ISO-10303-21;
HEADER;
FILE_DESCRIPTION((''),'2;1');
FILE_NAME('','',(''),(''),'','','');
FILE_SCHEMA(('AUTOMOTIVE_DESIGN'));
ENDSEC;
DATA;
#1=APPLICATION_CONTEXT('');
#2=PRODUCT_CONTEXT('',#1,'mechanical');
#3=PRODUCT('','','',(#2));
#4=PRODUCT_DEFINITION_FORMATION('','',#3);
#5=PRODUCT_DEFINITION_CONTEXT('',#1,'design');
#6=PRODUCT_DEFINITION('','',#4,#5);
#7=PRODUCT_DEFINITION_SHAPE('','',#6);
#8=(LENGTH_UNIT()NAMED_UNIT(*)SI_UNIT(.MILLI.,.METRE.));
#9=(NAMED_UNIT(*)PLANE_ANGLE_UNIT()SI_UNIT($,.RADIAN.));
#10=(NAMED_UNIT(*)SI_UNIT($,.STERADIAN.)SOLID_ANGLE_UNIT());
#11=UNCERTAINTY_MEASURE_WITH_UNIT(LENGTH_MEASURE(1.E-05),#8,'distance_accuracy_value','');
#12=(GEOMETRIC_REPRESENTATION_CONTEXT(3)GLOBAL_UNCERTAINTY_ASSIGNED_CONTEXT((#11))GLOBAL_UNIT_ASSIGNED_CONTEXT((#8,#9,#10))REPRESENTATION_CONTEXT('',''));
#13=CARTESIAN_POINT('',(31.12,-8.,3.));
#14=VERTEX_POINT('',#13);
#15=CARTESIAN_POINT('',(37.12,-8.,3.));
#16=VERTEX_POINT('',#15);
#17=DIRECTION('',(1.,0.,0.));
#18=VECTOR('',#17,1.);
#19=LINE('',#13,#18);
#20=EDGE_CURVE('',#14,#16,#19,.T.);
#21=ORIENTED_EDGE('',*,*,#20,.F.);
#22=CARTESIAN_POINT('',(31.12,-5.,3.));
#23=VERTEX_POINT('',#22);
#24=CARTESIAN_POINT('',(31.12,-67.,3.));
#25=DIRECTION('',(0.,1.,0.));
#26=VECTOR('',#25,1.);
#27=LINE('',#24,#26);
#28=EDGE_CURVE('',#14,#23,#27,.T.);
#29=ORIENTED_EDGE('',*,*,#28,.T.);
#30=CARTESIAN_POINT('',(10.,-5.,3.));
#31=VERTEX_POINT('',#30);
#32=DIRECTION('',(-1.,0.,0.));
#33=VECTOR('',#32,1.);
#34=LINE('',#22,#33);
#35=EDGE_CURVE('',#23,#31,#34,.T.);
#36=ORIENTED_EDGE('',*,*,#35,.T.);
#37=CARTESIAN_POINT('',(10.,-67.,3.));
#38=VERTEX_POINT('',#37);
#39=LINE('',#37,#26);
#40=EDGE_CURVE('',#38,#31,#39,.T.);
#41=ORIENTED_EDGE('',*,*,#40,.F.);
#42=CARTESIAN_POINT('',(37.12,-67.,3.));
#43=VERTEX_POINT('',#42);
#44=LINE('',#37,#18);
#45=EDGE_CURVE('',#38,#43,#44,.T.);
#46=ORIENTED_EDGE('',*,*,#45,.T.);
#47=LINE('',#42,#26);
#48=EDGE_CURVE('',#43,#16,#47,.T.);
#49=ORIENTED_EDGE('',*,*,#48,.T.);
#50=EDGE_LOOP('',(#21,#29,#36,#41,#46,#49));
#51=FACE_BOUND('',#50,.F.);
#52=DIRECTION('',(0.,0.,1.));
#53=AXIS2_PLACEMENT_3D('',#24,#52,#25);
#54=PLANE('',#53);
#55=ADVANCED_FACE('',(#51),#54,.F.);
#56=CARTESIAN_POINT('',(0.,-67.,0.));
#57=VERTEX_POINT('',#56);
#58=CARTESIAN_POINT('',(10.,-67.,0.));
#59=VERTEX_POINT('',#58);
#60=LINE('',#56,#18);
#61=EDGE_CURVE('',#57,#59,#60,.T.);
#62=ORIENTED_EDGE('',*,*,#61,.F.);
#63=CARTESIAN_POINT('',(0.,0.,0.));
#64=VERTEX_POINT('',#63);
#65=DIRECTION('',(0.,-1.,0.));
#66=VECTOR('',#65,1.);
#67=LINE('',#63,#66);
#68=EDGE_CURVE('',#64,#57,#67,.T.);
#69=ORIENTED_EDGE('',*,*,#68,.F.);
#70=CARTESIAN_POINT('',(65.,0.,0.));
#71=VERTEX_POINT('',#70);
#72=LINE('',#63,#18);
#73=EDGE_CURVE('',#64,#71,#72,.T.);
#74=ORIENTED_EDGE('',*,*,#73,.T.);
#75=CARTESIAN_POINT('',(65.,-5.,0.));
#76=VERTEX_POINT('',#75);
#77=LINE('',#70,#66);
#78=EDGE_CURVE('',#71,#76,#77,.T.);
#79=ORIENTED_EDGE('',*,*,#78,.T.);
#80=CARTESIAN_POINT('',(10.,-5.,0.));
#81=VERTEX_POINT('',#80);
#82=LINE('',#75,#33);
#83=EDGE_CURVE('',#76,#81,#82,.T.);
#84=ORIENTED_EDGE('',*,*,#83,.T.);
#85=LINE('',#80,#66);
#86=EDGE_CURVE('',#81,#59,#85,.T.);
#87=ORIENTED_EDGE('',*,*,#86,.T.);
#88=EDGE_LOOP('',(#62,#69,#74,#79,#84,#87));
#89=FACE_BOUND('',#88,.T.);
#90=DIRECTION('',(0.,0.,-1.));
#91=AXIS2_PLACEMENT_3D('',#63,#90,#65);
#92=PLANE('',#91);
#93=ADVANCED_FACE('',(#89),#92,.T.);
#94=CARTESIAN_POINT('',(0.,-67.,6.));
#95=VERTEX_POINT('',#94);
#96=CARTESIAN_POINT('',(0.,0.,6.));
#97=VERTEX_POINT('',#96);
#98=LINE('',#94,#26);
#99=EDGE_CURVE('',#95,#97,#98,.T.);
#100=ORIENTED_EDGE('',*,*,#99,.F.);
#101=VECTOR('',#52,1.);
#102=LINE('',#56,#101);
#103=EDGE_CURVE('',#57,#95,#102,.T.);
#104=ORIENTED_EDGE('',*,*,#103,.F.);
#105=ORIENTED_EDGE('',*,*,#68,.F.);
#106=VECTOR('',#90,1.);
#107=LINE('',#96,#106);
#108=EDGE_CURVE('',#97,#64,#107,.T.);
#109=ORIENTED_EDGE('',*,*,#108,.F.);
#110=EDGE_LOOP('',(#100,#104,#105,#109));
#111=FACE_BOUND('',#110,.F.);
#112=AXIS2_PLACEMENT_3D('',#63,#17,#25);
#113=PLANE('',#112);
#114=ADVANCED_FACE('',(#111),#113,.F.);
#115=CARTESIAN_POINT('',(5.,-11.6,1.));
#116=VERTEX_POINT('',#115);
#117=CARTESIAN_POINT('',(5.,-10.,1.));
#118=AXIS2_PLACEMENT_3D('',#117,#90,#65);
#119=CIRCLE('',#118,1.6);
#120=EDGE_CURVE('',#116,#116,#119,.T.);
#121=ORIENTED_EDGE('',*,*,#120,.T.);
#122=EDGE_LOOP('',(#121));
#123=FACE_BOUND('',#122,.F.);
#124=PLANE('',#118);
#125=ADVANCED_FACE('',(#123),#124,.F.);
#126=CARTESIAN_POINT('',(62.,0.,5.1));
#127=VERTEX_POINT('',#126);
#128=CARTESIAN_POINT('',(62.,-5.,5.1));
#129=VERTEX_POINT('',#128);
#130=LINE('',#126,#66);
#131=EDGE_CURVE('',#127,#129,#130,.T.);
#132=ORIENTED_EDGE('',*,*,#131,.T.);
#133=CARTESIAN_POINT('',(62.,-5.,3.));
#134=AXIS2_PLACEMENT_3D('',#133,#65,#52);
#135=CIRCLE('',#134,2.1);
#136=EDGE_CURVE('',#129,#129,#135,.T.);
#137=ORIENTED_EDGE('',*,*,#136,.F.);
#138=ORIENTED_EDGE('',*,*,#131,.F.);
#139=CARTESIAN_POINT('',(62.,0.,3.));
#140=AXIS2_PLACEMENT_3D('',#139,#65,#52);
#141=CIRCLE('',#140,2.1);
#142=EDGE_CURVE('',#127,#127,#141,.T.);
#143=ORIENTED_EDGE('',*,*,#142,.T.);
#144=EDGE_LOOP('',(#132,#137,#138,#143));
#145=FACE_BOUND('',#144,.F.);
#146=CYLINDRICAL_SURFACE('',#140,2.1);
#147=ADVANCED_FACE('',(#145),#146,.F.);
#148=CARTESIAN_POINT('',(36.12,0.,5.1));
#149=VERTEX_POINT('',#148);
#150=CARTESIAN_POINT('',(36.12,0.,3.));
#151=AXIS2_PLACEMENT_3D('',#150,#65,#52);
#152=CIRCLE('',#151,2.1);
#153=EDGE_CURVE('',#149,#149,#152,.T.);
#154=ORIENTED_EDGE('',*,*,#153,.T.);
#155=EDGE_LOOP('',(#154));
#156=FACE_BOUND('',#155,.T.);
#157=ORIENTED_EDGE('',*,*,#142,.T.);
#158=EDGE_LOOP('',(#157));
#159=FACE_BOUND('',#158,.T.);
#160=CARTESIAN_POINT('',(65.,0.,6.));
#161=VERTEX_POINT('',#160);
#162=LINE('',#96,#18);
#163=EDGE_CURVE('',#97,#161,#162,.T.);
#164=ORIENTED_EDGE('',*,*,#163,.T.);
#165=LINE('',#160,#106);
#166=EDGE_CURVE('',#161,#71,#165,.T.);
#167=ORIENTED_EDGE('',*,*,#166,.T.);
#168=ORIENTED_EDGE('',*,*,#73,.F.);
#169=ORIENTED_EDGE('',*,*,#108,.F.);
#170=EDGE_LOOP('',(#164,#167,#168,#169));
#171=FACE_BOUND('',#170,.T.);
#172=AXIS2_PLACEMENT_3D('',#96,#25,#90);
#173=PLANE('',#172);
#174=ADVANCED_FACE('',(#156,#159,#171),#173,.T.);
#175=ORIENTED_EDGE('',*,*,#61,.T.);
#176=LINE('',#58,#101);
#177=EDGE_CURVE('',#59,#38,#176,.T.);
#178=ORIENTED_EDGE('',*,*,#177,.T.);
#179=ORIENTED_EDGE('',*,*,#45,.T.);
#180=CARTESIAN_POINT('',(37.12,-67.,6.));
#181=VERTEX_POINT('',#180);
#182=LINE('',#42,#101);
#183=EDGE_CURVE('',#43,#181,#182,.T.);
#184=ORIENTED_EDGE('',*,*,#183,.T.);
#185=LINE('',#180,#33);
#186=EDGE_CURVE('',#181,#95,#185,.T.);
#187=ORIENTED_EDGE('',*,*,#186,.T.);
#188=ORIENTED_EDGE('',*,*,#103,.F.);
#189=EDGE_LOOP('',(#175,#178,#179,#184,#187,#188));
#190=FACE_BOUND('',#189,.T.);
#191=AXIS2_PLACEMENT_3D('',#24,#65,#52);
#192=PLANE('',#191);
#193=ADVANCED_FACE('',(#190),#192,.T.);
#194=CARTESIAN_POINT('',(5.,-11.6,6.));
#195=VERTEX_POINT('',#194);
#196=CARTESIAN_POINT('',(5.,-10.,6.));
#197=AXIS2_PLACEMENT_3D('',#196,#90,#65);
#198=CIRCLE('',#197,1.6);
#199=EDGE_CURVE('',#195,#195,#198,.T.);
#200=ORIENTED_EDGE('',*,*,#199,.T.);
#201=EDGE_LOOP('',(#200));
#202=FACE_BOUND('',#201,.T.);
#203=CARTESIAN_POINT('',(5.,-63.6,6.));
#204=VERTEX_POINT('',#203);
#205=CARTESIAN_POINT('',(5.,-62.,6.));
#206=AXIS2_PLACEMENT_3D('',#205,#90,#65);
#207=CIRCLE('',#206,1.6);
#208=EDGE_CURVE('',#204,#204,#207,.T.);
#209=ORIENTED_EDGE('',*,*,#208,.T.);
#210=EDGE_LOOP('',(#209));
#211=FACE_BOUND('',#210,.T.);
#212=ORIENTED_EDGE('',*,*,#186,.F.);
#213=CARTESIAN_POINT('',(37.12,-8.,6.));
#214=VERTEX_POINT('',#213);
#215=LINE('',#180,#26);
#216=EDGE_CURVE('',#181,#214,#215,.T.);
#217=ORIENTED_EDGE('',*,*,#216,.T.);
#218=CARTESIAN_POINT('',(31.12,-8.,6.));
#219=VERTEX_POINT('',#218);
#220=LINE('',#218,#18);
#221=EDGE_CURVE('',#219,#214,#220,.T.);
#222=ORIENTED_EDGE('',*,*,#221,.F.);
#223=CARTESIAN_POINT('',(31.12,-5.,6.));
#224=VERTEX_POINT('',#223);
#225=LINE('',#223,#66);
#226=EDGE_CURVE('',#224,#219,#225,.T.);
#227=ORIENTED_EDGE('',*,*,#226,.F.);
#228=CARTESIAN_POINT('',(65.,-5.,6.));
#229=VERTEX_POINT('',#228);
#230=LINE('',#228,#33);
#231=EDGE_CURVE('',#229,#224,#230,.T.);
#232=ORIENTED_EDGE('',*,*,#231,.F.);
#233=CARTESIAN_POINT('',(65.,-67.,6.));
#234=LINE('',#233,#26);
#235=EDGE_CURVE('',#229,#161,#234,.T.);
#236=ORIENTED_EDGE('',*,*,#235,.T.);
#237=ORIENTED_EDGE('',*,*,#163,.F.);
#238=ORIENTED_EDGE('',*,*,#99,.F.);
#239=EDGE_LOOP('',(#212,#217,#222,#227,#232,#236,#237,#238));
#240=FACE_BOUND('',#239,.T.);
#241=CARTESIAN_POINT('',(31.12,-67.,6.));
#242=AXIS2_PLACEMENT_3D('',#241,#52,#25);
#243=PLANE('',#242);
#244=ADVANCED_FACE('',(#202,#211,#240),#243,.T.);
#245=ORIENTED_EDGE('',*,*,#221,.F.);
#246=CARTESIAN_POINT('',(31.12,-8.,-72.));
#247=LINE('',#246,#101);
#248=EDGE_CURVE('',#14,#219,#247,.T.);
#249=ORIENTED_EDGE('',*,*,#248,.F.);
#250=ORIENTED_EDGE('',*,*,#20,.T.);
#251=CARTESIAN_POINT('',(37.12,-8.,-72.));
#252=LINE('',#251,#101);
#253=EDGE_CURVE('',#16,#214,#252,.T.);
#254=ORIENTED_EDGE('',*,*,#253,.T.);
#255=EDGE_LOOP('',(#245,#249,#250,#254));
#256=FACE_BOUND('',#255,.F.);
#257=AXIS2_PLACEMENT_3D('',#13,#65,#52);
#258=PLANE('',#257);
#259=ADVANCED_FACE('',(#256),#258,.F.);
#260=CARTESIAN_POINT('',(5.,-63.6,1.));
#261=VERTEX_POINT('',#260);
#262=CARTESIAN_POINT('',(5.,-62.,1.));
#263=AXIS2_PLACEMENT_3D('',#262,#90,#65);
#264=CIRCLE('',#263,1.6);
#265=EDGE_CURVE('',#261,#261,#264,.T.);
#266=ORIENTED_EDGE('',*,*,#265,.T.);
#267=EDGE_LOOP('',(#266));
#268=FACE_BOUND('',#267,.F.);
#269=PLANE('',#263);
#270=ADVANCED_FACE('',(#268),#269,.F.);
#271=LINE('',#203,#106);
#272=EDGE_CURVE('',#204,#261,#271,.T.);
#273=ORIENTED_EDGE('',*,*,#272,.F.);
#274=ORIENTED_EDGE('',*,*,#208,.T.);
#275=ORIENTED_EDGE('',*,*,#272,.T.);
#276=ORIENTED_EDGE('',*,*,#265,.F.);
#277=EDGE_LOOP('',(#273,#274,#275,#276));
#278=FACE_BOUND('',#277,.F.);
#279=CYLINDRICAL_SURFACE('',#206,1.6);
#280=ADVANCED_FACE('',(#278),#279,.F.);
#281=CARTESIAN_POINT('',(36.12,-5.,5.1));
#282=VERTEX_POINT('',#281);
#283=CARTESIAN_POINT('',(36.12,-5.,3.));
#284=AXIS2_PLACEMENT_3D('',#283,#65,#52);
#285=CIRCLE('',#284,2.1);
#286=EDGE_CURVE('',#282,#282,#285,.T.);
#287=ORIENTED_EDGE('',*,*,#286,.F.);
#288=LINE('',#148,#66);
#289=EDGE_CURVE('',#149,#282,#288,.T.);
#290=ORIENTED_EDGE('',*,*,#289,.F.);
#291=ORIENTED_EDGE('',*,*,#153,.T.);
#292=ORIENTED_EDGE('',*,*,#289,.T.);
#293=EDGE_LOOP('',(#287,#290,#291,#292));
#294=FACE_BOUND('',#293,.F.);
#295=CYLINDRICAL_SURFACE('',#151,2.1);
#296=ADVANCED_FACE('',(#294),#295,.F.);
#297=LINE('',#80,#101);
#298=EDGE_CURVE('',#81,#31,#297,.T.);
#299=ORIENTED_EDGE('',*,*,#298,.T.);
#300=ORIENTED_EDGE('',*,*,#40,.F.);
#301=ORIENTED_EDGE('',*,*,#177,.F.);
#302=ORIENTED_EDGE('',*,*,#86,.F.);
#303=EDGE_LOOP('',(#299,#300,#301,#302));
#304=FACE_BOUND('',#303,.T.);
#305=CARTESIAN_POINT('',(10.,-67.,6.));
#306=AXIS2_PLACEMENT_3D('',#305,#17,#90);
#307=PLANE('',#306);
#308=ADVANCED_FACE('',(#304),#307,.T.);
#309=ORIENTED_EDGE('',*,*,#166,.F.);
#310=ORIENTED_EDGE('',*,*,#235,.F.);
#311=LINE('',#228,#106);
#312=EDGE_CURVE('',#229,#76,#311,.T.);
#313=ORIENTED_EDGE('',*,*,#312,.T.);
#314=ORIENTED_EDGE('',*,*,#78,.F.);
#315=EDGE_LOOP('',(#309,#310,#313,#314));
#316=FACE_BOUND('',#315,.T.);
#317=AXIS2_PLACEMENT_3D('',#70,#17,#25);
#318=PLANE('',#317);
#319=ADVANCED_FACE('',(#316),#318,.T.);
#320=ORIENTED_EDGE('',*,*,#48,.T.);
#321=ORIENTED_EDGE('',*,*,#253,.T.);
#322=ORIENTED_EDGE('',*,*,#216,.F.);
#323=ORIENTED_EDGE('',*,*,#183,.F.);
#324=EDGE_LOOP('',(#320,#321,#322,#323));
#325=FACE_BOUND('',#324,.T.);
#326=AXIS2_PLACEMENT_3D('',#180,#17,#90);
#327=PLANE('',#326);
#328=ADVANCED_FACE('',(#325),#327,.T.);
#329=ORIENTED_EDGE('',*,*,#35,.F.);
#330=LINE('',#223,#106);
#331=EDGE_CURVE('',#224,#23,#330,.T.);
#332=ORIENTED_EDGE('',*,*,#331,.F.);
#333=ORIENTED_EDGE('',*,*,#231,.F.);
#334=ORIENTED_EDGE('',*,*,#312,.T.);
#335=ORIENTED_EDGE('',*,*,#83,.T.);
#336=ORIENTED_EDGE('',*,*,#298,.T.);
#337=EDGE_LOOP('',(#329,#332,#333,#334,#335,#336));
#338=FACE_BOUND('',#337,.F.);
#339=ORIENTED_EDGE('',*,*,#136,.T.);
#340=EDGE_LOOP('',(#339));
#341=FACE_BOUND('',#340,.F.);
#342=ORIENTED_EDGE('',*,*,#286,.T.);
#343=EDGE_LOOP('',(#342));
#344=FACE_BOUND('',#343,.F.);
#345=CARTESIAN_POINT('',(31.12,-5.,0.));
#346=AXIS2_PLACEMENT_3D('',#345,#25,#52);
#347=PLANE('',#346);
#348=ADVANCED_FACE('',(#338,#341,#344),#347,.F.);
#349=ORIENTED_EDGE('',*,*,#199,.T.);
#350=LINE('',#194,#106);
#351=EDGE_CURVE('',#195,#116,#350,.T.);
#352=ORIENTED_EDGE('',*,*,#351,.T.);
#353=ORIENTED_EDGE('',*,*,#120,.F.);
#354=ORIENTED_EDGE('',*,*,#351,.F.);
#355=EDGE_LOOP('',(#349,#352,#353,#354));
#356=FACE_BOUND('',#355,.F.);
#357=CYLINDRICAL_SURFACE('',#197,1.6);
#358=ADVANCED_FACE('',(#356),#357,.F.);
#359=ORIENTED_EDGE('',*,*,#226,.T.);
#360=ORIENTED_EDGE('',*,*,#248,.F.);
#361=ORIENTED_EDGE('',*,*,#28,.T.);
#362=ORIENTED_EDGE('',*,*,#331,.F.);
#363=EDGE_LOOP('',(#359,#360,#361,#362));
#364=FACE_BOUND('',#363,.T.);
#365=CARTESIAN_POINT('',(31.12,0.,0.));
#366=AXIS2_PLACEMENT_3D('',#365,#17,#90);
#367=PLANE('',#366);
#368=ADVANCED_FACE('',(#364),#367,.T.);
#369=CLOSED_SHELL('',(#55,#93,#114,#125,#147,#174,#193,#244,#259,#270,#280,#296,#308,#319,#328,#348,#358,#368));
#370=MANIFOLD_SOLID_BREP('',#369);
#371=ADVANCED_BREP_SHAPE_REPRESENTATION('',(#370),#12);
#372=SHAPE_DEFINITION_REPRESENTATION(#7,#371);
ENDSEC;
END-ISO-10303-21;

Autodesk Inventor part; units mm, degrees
sketch "Boceto2" plane through (0, 0, 0) normal (1, 0, 0) x (0, 1, 0)
  line L0 (0, 0) -> (-67, 0)
  line L1 (-67, 0) -> (-67, 6)
  line L2 (-67, 6) -> (0, 6)
  line L3 (0, 6) -> (0, 0)
  dimension "d2" = 67
  dimension "d3" = 6
extrude "Extrusión2" add sketch "Boceto2" along normal blind 65
sketch "Boceto3" plane through (65, 0, 0) normal (1, 0, 0) x (0, 0, -1)
  line L0 (-6, -5) -> (72, -5) projected
  line L1 (-6, -8) -> (-6, -5) projected
  line L2 (72, -8) -> (-6, -8) projected
  line L3 (72, -5) -> (72, -8) projected
  line L4 (-6, 0) -> (-6, -67) projected
  line L5 (-6, -67) -> (0, -67) projected
  line L6 (0, -67) -> (0, 0) projected
  line L7 (0, 0) -> (-6, 0) projected
  point P0 (0, -5)
ref_plane "Plano de trabajo1" through (31.12, -8, -69) normal (-1, 0, 0) x (0, 0, 1)
ref_plane "Plano de trabajo2" through (33.12, -8, -69) normal (-1, 0, 0) x (0, 0, 1)
ref_plane "Plano de trabajo4" through (31.12, -8, -72) normal (-1, 0, 0) x (0, 0, 1)
extrude "Extrusión3" cut sketch "Boceto3" against normal up to surface (33.88 mm away) contours L0 L6 L2 L1 | L2 L6 L5 L4
sketch "Boceto4" plane through (0, 0, 6) normal (0, 1, 0) x (1, 0, 0)
  circle A0 centre (34.12, 75) radius 1.5 projected
  circle A1 centre (62, 75) radius 1.5 projected
  line L0 (65, 0) -> (65, 78) projected
  line L1 (65, 78) -> (31.12, 78) projected
  line L2 (65, 0) -> (31.12, 0) projected
  line L3 (0, 6) -> (0, 0) projected
  line L4 (0, 0) -> (65, 0) projected
  line L5 (65, 6) -> (65, 0) projected
  line L6 (0, 6) -> (65, 6) projected
  line L7 (0, 0) -> (65, 0) projected
  line L8 (65, 0) -> (62, 0)
  line L9 (65, 0) -> (68, 0) construction
  line L10 (62, 0) -> (62, 3)
  circle A2 centre (62, 3) radius 2.1
  circle A3 centre (36.12, 3) radius 2.1
  circle A4 centre (36.12, 3) radius 1.5 projected
  circle A5 centre (62, 3) radius 1.5 projected
  line L11 (31.12, 0) -> (31.12, 78) projected
  point P0 (33.12, 0)
  dimension "d8" = 3
  dimension "d9" = 180
  dimension "d10" = 3
  dimension "d11" = 4.2
  dimension "d12" = 4.2
hole "Agujero1" at (36.12, 0, 3) at (62, 0, 3) direction (0, -1, 0) diameter 4.2 depth 5
sketch "Boceto5" plane through (0, -67, 6) normal (0, 0, 1) x (1, 0, 0)
  circle A0 centre (5, 57) radius 2.1 projected
  circle A1 centre (5, 5) radius 2.1 projected
  point P0 (0, 67)
hole "Agujero2" at (5, -10, 6) at (5, -62, 6) direction (0, 0, -1) diameter 3.2 depth 5
sketch "Boceto6" plane through (31.12, -67, 6) normal (1, 0, 0) x (0, 0, -1)
  line L0 (6, 62) -> (0, 62) projected
  line L1 (0, 0) -> (0, 62) projected
  line L2 (6, 0) -> (0, 0) projected
  line L3 (6, 62) -> (6, 0) projected
  line L4 (6, 0) -> (3, 0)
  line L5 (3, 0) -> (3, 62)
  line L6 (3, 62) -> (6, 62)
  line L7 (6, 62) -> (6, 0)
  point P0 (6, 67)
  point P1 (3, 0)
ref_plane "Plano de trabajo3" through (10, -67, -66) normal (1, 0, 0) x (0, 1, 0)
extrude "Extrusión4" cut sketch "Boceto6" against normal up to surface (21.12 mm away) contours L3 L2 L5 L0
sketch "Boceto7" plane through (31.12, -67, 6) normal (1, 0, 0) x (0, 0, -1)
  line L0 (3, 0) -> (3, 62) projected
  line L1 (3, 62) -> (0, 62) projected
  line L2 (0, 0) -> (0, 62) projected
  line L3 (3, 0) -> (0, 0) projected
  line L4 (0, 62) -> (78, 62) projected
  line L5 (0, 59) -> (0, 62) projected
  line L6 (78, 59) -> (0, 59) projected
  line L7 (78, 62) -> (78, 59) projected
  point P0 (6, 67)
  point P1 (3, 59)
extrude "Extrusión5" add sketch "Boceto7" along normal blind 6 contours L3 L2 L6 L0
properties part number "Lateral derecho"
